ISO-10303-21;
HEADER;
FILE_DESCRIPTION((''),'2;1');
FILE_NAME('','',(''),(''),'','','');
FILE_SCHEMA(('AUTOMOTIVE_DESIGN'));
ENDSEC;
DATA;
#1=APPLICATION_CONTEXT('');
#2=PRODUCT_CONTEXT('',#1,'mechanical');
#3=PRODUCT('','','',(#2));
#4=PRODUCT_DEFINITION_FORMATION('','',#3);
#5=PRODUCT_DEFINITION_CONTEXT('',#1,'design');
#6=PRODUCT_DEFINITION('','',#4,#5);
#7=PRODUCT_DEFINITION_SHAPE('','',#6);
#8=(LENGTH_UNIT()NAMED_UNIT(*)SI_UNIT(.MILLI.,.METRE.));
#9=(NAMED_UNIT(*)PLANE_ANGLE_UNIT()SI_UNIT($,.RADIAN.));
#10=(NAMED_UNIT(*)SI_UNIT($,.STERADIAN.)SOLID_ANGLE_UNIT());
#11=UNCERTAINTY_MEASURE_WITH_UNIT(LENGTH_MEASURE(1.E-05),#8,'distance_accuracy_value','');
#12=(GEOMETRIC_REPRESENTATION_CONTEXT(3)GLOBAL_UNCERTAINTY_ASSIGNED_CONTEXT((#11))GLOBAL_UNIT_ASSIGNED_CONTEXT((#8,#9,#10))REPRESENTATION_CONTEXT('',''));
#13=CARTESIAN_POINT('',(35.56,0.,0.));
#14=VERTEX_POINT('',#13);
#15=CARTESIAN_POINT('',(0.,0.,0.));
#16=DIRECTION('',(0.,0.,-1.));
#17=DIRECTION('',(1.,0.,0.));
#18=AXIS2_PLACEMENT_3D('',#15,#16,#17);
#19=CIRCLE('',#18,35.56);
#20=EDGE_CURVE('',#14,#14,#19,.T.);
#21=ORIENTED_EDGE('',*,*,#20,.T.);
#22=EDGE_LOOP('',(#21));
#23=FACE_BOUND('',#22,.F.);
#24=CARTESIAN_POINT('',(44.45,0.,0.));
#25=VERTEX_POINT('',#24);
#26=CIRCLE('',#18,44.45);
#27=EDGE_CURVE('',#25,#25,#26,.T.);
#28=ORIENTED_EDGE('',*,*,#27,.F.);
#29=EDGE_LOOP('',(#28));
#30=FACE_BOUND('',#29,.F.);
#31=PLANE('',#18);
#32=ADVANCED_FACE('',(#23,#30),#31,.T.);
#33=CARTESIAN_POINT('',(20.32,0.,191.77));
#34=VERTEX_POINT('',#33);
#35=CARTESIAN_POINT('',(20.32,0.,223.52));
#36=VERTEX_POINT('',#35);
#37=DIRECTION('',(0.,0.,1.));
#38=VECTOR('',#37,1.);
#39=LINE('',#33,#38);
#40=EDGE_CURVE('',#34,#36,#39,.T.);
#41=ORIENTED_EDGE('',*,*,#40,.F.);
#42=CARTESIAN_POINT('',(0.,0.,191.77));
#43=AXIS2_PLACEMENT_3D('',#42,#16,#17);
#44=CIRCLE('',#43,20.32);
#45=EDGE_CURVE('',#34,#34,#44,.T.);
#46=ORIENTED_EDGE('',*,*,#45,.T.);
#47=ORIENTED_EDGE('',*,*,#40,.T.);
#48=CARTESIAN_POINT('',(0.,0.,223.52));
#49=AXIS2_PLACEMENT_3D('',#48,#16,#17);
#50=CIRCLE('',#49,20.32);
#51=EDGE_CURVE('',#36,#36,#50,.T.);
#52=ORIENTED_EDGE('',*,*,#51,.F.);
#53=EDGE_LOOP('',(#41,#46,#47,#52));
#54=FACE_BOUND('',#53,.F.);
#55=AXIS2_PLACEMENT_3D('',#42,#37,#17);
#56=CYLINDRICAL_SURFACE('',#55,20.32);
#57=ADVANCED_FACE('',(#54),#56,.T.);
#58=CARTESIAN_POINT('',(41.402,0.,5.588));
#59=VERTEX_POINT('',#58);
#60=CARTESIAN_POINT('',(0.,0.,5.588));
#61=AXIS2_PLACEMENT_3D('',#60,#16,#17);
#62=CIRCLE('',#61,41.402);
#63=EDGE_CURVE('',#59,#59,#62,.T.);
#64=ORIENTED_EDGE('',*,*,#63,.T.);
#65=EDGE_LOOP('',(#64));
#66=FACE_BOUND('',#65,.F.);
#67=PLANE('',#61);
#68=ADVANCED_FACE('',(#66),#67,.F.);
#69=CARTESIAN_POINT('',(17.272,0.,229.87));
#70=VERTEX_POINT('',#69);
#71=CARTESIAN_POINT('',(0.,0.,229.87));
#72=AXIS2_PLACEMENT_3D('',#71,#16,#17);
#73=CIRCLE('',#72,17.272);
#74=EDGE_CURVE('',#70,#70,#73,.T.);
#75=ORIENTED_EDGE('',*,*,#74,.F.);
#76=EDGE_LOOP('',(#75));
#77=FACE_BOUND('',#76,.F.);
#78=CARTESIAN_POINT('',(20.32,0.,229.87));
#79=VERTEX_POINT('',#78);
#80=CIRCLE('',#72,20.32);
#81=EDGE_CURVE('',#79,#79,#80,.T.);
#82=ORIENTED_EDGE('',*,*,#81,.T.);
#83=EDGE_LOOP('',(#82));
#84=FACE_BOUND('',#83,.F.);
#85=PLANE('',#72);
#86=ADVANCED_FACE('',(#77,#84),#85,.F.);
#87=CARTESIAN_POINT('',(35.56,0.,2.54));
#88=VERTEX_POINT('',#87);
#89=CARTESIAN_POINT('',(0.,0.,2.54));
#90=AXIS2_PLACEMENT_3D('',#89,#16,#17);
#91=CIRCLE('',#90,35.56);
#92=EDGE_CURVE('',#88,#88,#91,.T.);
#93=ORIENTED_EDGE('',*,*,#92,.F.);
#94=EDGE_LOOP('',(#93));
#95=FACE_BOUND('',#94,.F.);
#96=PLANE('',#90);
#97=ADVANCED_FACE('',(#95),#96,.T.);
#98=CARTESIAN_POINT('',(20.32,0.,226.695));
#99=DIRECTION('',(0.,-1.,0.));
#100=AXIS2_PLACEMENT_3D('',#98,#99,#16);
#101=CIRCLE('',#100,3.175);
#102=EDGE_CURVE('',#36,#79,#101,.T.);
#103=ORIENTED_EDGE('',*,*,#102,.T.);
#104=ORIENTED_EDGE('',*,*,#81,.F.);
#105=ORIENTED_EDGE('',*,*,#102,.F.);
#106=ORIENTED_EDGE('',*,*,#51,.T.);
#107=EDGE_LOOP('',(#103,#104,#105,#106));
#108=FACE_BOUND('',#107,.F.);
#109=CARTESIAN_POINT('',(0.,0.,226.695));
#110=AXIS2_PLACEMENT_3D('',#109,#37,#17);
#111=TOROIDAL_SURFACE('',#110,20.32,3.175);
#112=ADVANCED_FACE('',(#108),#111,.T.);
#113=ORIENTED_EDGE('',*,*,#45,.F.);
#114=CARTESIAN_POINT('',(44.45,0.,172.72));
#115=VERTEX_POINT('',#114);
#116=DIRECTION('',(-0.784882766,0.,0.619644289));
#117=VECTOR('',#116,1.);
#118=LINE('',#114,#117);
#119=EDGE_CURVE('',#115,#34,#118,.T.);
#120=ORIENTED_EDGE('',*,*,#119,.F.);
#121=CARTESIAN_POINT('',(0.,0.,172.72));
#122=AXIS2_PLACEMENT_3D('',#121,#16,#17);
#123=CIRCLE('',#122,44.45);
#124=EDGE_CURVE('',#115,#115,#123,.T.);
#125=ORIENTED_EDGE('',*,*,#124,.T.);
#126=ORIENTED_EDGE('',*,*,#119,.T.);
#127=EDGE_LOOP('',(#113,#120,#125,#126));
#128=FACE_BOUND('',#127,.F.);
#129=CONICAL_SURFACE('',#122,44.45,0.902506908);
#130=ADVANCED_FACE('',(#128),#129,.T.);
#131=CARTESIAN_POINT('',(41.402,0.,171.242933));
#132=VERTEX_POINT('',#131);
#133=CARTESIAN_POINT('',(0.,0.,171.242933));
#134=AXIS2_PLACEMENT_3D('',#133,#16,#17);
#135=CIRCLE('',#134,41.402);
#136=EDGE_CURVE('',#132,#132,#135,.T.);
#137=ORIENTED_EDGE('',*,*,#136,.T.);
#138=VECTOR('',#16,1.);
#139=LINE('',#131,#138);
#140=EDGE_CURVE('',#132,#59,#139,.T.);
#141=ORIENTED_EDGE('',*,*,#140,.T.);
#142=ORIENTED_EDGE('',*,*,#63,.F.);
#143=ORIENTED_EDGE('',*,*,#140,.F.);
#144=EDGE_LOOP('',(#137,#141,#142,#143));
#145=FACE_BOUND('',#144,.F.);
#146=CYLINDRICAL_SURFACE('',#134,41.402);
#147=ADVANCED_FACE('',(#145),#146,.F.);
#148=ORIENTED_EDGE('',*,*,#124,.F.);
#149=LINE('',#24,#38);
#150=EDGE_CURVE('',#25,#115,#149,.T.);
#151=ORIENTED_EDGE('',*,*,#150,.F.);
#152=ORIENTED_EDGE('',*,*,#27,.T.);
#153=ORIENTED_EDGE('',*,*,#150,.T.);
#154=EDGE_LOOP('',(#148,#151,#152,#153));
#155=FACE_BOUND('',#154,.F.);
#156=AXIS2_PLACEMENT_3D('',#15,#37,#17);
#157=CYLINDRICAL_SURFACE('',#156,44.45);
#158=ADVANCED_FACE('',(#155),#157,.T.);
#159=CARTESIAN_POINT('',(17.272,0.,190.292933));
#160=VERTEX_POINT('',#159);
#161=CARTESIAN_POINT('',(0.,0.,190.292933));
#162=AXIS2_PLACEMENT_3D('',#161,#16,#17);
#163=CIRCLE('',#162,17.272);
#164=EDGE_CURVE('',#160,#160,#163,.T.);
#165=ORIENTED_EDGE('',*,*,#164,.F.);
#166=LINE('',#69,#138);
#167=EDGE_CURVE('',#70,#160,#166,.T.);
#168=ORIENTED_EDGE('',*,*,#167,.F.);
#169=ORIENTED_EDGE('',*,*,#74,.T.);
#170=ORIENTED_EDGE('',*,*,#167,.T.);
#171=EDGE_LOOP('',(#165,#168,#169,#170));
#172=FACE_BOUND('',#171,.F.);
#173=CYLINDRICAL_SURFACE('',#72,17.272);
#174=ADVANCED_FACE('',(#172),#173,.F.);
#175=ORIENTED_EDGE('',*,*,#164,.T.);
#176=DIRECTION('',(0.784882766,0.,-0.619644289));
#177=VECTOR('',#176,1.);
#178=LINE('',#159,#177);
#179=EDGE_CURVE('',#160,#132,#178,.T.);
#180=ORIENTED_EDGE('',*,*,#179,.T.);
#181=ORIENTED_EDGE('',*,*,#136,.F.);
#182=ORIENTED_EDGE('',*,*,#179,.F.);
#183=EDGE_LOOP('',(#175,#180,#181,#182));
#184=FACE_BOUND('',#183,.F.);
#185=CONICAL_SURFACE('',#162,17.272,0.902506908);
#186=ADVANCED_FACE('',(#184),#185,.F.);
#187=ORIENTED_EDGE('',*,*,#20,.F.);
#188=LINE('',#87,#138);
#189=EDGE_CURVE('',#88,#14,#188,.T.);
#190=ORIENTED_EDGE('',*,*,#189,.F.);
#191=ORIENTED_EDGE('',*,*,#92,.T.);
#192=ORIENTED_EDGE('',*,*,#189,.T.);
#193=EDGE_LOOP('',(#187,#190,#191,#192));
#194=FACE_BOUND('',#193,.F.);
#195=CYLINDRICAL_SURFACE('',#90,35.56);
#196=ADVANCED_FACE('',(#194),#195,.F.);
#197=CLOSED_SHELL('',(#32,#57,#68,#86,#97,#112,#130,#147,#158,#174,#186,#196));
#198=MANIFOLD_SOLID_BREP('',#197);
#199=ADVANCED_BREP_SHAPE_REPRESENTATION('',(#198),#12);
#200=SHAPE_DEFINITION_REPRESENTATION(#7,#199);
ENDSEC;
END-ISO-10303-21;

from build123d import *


with BuildPart() as f1:
    # F0 (on Front) → F1 (revolve)
    with BuildSketch(Plane.XZ):
        with BuildLine():
            Line((35.56, 0), (44.45, 0))
            Line((44.45, 0), (44.45, 172.72))
            Line((44.45, 172.72), (20.32, 191.77))
            Line((20.32, 191.77), (20.32, 223.52))
            ThreePointArc((20.32, 223.52), (23.495, 226.695), (20.32, 229.87))
            Line((20.32, 229.87), (17.272, 229.87))
            Line((17.272, 229.87), (17.272, 226.822))
            Line((17.272, 226.822), (17.272, 190.292933))
            Line((17.272, 190.292933), (41.402, 171.242933))
            Line((41.402, 171.242933), (41.402, 5.588))
            Line((41.402, 5.588), (0, 5.588))
            Line((0, 5.588), (0, 2.54))
            Line((0, 2.54), (35.56, 2.54))
            Line((35.56, 2.54), (35.56, 0))
        make_face()
    revolve(axis=Axis((0, 0, 114.935), (0, 0, -1)))


solid = f1.part
